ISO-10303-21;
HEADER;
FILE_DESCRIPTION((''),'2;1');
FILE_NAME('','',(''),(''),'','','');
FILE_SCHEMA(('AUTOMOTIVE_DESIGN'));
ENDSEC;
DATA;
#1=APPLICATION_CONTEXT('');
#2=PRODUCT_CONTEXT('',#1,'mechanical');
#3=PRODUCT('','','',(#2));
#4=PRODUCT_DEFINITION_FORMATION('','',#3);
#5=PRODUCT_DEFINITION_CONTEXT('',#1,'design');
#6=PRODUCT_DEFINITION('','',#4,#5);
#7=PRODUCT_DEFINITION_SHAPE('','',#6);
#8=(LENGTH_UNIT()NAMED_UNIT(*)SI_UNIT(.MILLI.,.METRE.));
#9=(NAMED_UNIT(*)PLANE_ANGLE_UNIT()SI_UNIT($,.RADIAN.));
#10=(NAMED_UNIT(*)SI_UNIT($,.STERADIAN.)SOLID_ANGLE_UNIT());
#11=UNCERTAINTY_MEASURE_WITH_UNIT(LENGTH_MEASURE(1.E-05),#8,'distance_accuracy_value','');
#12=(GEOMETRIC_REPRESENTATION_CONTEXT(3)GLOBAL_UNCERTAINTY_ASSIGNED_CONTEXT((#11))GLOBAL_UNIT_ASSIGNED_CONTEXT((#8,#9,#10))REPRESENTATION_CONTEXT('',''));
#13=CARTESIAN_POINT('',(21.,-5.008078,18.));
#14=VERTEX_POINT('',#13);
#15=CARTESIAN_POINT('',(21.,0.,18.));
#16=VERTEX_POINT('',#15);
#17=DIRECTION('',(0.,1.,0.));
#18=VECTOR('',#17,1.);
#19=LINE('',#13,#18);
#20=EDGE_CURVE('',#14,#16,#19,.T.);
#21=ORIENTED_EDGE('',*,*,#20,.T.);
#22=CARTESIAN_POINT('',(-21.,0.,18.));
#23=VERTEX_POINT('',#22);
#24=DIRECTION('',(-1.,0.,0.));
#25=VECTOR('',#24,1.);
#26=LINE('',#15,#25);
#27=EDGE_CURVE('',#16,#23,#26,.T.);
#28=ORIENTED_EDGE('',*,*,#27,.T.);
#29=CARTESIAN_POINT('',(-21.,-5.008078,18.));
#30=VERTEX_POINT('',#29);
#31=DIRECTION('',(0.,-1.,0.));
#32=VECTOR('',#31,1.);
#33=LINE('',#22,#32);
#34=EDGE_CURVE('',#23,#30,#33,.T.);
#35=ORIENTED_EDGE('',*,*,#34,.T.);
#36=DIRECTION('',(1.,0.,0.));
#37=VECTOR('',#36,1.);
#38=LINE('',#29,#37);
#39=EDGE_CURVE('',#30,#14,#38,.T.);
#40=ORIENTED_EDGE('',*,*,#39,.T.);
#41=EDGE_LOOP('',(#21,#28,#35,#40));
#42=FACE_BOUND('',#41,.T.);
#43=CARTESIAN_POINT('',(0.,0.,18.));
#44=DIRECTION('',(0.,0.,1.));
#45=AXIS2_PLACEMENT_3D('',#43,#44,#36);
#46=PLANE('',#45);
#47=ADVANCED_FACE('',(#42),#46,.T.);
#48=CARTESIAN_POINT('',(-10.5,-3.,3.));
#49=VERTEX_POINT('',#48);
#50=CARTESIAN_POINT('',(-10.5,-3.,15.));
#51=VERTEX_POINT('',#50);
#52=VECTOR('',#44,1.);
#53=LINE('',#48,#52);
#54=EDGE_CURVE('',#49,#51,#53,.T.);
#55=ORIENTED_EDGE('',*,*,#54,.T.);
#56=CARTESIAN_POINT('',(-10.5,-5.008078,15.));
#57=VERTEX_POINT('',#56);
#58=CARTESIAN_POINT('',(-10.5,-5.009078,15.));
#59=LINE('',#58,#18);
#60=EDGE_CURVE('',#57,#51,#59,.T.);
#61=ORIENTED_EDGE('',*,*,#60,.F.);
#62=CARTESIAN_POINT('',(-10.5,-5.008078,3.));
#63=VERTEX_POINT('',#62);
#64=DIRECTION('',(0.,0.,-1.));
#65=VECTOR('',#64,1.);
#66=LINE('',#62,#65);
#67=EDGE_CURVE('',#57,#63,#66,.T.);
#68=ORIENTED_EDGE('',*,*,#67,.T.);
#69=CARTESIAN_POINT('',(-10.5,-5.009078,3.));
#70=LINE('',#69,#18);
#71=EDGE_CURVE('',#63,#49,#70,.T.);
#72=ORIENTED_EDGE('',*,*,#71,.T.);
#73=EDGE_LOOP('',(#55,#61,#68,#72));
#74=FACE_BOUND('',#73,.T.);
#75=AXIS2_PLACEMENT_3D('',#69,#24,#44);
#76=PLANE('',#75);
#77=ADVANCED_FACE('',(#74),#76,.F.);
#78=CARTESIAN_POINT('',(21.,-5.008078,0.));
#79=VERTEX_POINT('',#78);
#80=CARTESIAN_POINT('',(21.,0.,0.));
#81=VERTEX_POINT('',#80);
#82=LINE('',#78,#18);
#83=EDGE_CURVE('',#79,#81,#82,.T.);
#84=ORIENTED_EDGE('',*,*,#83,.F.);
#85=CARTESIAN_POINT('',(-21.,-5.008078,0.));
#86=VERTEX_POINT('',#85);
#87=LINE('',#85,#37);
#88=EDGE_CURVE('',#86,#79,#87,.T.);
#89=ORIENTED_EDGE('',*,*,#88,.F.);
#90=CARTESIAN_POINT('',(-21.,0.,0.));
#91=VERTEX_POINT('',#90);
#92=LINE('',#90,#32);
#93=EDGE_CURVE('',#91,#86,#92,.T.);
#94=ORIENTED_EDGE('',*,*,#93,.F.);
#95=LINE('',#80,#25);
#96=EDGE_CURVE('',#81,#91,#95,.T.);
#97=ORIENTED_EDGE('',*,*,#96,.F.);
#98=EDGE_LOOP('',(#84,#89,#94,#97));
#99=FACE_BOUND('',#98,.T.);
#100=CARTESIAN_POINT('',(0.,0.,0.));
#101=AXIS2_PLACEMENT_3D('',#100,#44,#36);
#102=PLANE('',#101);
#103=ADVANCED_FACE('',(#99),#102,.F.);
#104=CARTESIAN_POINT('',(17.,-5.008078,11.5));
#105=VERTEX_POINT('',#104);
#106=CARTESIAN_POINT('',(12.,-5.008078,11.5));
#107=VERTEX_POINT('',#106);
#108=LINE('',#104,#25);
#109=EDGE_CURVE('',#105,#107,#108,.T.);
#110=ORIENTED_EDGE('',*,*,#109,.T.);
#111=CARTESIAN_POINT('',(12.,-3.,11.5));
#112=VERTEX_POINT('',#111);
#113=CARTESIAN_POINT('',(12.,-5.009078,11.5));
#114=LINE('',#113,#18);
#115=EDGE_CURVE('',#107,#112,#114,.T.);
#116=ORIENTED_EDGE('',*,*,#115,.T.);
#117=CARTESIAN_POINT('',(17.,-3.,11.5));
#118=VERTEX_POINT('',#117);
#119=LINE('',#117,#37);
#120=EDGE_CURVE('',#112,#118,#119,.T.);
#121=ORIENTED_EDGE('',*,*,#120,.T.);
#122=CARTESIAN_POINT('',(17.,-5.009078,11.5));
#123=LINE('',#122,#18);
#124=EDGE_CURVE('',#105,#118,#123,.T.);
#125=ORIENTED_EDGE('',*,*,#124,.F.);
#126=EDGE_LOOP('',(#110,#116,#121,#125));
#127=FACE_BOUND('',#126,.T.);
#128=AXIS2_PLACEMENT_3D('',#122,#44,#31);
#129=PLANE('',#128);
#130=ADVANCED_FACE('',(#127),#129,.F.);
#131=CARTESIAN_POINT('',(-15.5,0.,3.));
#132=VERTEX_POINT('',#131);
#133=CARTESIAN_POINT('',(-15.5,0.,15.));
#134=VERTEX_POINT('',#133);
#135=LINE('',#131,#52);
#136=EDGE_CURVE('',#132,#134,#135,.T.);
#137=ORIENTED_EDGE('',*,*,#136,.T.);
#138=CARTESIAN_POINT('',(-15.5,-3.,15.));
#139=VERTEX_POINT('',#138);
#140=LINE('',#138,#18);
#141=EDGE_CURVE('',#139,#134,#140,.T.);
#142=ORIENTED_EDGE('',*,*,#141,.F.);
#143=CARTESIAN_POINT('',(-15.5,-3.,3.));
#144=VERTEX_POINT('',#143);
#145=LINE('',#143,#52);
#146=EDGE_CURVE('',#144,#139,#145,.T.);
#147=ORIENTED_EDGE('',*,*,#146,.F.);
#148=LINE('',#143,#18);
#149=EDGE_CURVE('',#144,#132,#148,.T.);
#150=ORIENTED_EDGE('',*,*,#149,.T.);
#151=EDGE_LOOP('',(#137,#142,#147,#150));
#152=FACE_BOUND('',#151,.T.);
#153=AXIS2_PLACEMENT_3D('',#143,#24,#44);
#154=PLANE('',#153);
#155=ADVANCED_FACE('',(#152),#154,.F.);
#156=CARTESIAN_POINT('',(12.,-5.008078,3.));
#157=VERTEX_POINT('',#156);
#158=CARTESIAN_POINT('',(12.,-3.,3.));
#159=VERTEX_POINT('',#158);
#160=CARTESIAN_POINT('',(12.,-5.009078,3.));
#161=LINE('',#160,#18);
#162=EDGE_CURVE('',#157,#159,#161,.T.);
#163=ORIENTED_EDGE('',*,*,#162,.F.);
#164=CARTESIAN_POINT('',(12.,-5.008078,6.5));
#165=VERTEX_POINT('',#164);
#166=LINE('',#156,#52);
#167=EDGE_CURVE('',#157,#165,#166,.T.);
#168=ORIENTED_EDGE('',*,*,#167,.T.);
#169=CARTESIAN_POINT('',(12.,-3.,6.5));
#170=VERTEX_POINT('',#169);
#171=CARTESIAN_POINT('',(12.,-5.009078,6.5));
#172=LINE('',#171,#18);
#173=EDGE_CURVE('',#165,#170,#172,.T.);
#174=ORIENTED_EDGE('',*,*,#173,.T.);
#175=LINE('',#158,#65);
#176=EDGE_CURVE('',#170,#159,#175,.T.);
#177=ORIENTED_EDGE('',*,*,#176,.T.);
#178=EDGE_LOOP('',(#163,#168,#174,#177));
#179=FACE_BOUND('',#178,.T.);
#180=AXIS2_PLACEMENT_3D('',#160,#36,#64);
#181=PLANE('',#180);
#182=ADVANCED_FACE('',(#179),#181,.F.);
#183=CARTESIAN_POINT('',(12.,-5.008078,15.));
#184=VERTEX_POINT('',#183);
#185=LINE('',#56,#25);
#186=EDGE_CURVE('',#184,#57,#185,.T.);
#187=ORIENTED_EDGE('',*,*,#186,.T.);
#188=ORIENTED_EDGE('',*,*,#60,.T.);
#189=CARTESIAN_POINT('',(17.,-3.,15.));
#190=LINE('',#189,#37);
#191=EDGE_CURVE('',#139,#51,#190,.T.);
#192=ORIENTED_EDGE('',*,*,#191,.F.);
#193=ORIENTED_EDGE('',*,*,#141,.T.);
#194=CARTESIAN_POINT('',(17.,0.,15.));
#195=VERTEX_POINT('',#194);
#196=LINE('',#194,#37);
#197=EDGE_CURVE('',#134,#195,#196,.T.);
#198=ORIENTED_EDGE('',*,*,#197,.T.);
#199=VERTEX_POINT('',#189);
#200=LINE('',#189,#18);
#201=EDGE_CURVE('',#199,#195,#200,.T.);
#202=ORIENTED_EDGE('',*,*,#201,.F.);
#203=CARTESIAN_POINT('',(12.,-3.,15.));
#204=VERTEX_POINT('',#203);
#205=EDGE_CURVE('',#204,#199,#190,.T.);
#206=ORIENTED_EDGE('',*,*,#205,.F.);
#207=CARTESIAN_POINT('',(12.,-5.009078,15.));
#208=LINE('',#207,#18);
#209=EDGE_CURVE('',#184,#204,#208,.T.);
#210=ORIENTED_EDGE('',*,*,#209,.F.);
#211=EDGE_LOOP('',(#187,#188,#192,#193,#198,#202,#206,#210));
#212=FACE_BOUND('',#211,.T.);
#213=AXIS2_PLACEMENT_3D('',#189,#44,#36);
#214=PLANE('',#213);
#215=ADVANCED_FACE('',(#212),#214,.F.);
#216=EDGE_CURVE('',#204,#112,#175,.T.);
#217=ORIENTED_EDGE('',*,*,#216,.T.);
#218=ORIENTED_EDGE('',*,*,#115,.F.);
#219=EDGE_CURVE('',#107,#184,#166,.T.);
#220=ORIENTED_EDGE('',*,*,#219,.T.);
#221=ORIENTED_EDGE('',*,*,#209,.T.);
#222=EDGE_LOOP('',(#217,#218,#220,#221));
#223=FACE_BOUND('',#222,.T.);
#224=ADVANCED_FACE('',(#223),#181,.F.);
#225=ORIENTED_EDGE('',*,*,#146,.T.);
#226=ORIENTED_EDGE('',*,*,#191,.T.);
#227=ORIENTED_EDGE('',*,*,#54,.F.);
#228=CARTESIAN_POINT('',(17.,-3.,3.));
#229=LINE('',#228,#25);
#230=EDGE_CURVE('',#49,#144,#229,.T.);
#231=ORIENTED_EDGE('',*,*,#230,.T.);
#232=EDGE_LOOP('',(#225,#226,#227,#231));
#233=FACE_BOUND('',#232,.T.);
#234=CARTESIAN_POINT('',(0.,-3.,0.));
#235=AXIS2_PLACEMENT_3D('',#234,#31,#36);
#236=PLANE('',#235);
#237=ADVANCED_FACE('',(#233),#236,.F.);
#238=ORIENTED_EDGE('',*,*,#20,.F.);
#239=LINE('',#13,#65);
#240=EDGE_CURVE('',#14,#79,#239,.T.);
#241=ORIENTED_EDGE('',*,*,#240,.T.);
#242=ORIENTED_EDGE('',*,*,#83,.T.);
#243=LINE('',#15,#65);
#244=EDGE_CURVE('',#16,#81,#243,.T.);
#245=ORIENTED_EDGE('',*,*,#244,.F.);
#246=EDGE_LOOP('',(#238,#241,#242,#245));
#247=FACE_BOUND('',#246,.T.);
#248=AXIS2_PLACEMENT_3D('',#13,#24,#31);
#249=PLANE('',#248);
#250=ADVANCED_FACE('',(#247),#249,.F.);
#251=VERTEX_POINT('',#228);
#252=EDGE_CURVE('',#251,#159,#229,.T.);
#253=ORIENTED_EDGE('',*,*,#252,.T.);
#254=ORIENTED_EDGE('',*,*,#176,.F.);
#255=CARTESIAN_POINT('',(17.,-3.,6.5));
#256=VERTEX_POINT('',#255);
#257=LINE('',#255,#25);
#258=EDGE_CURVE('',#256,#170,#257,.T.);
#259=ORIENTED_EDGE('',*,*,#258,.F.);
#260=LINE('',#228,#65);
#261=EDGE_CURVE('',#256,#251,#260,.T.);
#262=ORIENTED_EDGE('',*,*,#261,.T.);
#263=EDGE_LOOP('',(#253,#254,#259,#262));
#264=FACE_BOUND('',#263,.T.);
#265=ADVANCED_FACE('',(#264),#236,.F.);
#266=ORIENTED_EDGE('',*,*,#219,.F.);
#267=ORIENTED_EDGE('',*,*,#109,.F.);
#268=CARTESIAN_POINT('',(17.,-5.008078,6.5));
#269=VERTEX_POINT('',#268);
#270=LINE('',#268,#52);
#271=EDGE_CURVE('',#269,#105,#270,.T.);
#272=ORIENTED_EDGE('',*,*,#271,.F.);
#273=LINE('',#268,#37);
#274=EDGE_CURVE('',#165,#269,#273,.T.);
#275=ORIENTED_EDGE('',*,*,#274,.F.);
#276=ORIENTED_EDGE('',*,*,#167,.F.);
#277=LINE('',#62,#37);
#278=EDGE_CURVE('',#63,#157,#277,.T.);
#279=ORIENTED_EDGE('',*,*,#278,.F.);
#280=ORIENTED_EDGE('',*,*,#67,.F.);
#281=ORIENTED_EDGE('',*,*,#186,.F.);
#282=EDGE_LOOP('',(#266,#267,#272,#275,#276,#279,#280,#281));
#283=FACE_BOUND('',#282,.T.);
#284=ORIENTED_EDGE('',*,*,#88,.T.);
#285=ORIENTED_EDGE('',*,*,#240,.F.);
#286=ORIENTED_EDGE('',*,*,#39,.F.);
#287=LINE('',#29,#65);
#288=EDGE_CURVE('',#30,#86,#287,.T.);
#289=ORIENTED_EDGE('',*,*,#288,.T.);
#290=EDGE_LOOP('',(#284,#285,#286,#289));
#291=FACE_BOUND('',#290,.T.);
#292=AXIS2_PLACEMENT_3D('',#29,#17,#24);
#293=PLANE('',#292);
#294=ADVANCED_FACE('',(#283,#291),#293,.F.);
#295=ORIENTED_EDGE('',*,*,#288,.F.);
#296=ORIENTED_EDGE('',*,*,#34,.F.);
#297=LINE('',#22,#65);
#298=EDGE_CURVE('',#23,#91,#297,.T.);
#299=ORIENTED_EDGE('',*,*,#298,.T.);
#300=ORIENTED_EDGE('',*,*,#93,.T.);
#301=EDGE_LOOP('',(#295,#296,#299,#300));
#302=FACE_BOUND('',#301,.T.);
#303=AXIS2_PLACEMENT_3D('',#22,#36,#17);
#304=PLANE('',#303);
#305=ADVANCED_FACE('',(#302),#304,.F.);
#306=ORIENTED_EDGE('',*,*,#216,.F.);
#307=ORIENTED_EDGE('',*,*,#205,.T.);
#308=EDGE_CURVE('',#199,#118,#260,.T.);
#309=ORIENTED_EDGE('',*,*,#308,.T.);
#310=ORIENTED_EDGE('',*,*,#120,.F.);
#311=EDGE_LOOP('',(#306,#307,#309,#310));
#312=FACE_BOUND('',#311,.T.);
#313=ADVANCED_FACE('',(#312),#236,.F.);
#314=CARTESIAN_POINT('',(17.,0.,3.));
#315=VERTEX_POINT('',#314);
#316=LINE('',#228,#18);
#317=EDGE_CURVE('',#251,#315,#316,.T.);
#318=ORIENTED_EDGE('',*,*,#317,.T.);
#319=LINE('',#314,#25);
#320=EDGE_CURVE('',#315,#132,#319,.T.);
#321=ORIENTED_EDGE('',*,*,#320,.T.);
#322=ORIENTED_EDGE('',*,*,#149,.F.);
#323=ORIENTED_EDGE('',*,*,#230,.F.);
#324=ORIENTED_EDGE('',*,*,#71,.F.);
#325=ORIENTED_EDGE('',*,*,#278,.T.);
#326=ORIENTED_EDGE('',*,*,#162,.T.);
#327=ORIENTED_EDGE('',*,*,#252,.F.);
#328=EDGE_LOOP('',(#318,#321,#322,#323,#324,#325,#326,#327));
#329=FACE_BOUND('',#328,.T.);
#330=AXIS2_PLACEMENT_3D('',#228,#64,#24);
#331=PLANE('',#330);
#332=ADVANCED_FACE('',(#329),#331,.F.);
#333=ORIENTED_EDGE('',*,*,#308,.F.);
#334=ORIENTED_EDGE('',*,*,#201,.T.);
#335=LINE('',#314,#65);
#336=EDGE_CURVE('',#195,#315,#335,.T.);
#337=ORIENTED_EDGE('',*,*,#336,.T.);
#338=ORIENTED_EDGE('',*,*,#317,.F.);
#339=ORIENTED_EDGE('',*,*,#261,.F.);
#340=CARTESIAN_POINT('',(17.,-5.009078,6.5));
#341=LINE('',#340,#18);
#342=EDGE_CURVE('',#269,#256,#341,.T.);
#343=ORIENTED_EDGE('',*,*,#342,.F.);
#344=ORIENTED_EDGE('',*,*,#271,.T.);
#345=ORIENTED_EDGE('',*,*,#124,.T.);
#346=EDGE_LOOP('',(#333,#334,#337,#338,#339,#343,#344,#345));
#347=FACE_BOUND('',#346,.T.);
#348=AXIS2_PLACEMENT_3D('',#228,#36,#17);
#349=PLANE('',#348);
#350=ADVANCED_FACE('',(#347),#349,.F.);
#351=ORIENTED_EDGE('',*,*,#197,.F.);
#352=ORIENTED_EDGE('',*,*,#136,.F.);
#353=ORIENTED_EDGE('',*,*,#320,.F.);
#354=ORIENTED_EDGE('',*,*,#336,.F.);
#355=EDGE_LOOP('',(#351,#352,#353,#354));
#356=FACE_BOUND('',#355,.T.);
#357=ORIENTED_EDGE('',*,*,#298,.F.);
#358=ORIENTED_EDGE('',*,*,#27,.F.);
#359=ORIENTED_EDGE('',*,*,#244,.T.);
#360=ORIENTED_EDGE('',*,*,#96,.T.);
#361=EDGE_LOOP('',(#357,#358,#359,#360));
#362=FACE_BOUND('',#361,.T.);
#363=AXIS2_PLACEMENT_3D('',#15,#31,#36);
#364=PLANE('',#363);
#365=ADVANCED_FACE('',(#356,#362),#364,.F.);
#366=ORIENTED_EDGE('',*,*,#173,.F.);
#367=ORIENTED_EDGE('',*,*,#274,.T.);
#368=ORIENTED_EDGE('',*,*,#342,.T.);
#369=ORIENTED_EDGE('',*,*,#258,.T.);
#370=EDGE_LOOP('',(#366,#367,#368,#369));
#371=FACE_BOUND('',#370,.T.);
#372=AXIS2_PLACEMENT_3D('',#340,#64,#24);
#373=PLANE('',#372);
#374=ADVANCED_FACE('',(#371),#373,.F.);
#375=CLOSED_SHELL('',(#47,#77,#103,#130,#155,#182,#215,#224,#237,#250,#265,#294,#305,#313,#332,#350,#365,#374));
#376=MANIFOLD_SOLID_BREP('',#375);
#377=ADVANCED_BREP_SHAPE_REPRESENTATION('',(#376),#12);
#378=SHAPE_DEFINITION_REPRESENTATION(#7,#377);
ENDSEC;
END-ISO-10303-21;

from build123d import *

# Parameters (mm, degrees)
SKETCH1_W           = 42
SKETCH1_H           = 5.00807777
BOSS_EXTRUDE1_DEPTH = 18
SKETCH2_W           = 32.5
SKETCH2_H           = 12
CUT_EXTRUDE1_DEPTH  = 3
CUT_EXTRUDE2_REACH  = 29.821
SKETCH3_W           = 22.5
SKETCH3_H           = 12
CUT_EXTRUDE3_REACH  = 29.821
SKETCH4_W           = 5
SKETCH4_H           = 5


with BuildPart() as part:
    # Sketch1 → Boss-Extrude1 (new body)
    with BuildSketch(Plane.XY):
        with Locations((0, -2.504038885)):
            Rectangle(SKETCH1_W, SKETCH1_H)
    extrude(amount=BOSS_EXTRUDE1_DEPTH)

    # Sketch2 → Cut-Extrude1 (cut)
    with BuildSketch(Plane(origin=(0, 0, 0), x_dir=(1, 0, 0), z_dir=(0, 1, 0))):
        with Locations((0.75, -9)):
            Rectangle(SKETCH2_W, SKETCH2_H)
    extrude(amount=-CUT_EXTRUDE1_DEPTH, mode=Mode.SUBTRACT)

    # Sketch3 → Cut-Extrude2 (cut, up to next)
    with BuildSketch(Plane(origin=(0, -3, 0), x_dir=(1, 0, 0), z_dir=(0, 1, 0)), mode=Mode.PRIVATE) as cut_extrude2_sk1:
        with Locations((0.75, -9)):
            Rectangle(SKETCH3_W, SKETCH3_H)
    cut_extrude2_tool1 = extrude(cut_extrude2_sk1.sketch, amount=-CUT_EXTRUDE2_REACH, mode=Mode.PRIVATE) & part.part
    add(cut_extrude2_tool1.solids().sort_by_distance((0.75, -3, 9))[0], mode=Mode.SUBTRACT)

    # Sketch4 → Cut-Extrude3 (cut, up to next)
    with BuildSketch(Plane(origin=(0, -3, 0), x_dir=(1, 0, 0), z_dir=(0, 1, 0)), mode=Mode.PRIVATE) as cut_extrude3_sk1:
        with Locations((14.5, -9)):
            Rectangle(SKETCH4_W, SKETCH4_H)
    cut_extrude3_tool1 = extrude(cut_extrude3_sk1.sketch, amount=-CUT_EXTRUDE3_REACH, mode=Mode.PRIVATE) & part.part
    add(cut_extrude3_tool1.solids().sort_by_distance((14.5, -3, 9))[0], mode=Mode.SUBTRACT)


solid = part.part
